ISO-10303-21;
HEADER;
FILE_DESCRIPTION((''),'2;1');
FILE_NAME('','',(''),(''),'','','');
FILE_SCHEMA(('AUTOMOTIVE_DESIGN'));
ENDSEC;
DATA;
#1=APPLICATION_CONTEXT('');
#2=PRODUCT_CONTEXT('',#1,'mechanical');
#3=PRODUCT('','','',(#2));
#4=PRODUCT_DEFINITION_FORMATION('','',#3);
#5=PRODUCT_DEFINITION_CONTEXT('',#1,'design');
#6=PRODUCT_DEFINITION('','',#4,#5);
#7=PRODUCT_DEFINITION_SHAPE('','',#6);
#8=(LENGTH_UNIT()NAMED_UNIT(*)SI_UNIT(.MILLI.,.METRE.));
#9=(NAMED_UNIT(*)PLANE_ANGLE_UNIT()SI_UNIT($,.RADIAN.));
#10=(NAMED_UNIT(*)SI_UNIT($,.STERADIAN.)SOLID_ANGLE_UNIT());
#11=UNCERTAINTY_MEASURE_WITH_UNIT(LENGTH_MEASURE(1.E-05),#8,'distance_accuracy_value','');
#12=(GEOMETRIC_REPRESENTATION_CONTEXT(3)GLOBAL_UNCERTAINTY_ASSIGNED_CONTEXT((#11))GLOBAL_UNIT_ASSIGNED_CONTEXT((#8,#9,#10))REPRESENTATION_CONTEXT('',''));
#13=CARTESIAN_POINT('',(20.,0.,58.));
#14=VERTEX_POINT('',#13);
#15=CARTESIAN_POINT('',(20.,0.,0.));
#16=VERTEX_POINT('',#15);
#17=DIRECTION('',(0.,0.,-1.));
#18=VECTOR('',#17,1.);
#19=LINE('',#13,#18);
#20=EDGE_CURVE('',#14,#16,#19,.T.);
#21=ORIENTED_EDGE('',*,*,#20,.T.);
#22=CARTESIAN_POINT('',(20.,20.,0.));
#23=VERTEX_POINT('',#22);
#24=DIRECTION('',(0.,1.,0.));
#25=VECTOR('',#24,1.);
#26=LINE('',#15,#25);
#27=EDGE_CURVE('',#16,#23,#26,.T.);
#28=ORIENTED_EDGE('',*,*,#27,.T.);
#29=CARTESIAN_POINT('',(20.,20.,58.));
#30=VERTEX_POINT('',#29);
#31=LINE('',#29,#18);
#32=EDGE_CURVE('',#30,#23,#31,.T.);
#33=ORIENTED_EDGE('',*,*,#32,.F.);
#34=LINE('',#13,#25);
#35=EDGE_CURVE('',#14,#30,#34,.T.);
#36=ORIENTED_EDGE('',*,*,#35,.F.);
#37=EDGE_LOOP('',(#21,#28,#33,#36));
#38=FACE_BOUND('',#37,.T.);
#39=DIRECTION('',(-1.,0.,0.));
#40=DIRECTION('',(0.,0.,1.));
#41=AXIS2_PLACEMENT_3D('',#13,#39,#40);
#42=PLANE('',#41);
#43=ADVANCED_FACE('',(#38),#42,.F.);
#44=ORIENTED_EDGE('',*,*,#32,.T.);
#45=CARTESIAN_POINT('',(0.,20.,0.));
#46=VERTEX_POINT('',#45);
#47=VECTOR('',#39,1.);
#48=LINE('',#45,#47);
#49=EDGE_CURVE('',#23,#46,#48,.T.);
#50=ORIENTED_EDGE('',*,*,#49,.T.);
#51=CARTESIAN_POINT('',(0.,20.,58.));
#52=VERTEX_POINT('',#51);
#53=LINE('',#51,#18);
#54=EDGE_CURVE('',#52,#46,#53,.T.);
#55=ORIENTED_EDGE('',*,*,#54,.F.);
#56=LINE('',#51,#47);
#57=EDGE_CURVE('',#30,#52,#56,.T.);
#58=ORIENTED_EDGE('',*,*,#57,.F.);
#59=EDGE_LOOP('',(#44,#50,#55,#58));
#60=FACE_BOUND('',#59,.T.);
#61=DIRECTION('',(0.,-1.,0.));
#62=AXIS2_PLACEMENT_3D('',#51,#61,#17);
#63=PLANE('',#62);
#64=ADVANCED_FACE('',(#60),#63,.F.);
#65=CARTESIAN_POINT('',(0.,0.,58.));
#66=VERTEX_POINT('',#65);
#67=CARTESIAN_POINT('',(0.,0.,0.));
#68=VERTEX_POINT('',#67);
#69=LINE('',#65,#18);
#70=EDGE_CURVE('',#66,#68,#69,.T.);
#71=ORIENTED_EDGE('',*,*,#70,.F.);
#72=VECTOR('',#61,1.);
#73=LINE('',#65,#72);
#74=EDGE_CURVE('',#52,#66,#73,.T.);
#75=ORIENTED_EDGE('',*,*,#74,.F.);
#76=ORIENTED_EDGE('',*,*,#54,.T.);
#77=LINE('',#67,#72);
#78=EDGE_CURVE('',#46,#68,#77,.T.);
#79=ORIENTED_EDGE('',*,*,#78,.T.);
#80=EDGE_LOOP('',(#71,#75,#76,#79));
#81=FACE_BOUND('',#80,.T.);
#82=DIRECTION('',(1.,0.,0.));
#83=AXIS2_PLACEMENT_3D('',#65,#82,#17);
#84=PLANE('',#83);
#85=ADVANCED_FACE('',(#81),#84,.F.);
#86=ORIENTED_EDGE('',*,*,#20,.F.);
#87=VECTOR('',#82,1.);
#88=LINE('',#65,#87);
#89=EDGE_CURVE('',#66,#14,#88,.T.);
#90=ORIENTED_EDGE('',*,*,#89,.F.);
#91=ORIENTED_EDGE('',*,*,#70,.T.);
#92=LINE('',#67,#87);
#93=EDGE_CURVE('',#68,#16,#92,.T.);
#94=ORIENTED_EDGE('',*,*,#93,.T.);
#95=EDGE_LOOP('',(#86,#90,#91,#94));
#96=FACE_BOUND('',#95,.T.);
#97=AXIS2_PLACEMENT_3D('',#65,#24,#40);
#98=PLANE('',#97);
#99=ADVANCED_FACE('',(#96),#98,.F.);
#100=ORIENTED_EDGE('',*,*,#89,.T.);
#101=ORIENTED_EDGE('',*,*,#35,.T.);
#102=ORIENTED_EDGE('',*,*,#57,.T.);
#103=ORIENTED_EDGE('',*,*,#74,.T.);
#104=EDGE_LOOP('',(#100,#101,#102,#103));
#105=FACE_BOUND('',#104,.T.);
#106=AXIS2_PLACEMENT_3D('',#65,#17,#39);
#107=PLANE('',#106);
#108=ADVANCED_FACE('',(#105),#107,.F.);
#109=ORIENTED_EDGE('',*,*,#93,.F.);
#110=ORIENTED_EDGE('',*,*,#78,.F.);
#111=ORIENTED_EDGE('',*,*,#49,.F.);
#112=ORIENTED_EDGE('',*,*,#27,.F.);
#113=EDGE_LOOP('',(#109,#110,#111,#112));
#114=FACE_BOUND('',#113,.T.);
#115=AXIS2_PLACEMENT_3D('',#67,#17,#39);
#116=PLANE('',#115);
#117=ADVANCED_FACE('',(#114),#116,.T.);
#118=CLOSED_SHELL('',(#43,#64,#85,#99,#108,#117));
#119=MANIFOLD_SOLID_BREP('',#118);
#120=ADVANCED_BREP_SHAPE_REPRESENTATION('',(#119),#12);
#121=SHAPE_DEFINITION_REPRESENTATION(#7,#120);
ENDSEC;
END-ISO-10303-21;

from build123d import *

# Parameters (mm, degrees)
SKETCH_1_W                = 20
SKETCH_1_H                = 20
V2_REF_GRIPPER_BODY_DEPTH = 58


with BuildPart() as part:
    # 草图1 → V2_REF_gripper_body (new body)
    with BuildSketch(Plane.XY):
        with Locations((10, 10)):
            Rectangle(SKETCH_1_W, SKETCH_1_H)
    extrude(amount=V2_REF_GRIPPER_BODY_DEPTH)


solid = part.part
